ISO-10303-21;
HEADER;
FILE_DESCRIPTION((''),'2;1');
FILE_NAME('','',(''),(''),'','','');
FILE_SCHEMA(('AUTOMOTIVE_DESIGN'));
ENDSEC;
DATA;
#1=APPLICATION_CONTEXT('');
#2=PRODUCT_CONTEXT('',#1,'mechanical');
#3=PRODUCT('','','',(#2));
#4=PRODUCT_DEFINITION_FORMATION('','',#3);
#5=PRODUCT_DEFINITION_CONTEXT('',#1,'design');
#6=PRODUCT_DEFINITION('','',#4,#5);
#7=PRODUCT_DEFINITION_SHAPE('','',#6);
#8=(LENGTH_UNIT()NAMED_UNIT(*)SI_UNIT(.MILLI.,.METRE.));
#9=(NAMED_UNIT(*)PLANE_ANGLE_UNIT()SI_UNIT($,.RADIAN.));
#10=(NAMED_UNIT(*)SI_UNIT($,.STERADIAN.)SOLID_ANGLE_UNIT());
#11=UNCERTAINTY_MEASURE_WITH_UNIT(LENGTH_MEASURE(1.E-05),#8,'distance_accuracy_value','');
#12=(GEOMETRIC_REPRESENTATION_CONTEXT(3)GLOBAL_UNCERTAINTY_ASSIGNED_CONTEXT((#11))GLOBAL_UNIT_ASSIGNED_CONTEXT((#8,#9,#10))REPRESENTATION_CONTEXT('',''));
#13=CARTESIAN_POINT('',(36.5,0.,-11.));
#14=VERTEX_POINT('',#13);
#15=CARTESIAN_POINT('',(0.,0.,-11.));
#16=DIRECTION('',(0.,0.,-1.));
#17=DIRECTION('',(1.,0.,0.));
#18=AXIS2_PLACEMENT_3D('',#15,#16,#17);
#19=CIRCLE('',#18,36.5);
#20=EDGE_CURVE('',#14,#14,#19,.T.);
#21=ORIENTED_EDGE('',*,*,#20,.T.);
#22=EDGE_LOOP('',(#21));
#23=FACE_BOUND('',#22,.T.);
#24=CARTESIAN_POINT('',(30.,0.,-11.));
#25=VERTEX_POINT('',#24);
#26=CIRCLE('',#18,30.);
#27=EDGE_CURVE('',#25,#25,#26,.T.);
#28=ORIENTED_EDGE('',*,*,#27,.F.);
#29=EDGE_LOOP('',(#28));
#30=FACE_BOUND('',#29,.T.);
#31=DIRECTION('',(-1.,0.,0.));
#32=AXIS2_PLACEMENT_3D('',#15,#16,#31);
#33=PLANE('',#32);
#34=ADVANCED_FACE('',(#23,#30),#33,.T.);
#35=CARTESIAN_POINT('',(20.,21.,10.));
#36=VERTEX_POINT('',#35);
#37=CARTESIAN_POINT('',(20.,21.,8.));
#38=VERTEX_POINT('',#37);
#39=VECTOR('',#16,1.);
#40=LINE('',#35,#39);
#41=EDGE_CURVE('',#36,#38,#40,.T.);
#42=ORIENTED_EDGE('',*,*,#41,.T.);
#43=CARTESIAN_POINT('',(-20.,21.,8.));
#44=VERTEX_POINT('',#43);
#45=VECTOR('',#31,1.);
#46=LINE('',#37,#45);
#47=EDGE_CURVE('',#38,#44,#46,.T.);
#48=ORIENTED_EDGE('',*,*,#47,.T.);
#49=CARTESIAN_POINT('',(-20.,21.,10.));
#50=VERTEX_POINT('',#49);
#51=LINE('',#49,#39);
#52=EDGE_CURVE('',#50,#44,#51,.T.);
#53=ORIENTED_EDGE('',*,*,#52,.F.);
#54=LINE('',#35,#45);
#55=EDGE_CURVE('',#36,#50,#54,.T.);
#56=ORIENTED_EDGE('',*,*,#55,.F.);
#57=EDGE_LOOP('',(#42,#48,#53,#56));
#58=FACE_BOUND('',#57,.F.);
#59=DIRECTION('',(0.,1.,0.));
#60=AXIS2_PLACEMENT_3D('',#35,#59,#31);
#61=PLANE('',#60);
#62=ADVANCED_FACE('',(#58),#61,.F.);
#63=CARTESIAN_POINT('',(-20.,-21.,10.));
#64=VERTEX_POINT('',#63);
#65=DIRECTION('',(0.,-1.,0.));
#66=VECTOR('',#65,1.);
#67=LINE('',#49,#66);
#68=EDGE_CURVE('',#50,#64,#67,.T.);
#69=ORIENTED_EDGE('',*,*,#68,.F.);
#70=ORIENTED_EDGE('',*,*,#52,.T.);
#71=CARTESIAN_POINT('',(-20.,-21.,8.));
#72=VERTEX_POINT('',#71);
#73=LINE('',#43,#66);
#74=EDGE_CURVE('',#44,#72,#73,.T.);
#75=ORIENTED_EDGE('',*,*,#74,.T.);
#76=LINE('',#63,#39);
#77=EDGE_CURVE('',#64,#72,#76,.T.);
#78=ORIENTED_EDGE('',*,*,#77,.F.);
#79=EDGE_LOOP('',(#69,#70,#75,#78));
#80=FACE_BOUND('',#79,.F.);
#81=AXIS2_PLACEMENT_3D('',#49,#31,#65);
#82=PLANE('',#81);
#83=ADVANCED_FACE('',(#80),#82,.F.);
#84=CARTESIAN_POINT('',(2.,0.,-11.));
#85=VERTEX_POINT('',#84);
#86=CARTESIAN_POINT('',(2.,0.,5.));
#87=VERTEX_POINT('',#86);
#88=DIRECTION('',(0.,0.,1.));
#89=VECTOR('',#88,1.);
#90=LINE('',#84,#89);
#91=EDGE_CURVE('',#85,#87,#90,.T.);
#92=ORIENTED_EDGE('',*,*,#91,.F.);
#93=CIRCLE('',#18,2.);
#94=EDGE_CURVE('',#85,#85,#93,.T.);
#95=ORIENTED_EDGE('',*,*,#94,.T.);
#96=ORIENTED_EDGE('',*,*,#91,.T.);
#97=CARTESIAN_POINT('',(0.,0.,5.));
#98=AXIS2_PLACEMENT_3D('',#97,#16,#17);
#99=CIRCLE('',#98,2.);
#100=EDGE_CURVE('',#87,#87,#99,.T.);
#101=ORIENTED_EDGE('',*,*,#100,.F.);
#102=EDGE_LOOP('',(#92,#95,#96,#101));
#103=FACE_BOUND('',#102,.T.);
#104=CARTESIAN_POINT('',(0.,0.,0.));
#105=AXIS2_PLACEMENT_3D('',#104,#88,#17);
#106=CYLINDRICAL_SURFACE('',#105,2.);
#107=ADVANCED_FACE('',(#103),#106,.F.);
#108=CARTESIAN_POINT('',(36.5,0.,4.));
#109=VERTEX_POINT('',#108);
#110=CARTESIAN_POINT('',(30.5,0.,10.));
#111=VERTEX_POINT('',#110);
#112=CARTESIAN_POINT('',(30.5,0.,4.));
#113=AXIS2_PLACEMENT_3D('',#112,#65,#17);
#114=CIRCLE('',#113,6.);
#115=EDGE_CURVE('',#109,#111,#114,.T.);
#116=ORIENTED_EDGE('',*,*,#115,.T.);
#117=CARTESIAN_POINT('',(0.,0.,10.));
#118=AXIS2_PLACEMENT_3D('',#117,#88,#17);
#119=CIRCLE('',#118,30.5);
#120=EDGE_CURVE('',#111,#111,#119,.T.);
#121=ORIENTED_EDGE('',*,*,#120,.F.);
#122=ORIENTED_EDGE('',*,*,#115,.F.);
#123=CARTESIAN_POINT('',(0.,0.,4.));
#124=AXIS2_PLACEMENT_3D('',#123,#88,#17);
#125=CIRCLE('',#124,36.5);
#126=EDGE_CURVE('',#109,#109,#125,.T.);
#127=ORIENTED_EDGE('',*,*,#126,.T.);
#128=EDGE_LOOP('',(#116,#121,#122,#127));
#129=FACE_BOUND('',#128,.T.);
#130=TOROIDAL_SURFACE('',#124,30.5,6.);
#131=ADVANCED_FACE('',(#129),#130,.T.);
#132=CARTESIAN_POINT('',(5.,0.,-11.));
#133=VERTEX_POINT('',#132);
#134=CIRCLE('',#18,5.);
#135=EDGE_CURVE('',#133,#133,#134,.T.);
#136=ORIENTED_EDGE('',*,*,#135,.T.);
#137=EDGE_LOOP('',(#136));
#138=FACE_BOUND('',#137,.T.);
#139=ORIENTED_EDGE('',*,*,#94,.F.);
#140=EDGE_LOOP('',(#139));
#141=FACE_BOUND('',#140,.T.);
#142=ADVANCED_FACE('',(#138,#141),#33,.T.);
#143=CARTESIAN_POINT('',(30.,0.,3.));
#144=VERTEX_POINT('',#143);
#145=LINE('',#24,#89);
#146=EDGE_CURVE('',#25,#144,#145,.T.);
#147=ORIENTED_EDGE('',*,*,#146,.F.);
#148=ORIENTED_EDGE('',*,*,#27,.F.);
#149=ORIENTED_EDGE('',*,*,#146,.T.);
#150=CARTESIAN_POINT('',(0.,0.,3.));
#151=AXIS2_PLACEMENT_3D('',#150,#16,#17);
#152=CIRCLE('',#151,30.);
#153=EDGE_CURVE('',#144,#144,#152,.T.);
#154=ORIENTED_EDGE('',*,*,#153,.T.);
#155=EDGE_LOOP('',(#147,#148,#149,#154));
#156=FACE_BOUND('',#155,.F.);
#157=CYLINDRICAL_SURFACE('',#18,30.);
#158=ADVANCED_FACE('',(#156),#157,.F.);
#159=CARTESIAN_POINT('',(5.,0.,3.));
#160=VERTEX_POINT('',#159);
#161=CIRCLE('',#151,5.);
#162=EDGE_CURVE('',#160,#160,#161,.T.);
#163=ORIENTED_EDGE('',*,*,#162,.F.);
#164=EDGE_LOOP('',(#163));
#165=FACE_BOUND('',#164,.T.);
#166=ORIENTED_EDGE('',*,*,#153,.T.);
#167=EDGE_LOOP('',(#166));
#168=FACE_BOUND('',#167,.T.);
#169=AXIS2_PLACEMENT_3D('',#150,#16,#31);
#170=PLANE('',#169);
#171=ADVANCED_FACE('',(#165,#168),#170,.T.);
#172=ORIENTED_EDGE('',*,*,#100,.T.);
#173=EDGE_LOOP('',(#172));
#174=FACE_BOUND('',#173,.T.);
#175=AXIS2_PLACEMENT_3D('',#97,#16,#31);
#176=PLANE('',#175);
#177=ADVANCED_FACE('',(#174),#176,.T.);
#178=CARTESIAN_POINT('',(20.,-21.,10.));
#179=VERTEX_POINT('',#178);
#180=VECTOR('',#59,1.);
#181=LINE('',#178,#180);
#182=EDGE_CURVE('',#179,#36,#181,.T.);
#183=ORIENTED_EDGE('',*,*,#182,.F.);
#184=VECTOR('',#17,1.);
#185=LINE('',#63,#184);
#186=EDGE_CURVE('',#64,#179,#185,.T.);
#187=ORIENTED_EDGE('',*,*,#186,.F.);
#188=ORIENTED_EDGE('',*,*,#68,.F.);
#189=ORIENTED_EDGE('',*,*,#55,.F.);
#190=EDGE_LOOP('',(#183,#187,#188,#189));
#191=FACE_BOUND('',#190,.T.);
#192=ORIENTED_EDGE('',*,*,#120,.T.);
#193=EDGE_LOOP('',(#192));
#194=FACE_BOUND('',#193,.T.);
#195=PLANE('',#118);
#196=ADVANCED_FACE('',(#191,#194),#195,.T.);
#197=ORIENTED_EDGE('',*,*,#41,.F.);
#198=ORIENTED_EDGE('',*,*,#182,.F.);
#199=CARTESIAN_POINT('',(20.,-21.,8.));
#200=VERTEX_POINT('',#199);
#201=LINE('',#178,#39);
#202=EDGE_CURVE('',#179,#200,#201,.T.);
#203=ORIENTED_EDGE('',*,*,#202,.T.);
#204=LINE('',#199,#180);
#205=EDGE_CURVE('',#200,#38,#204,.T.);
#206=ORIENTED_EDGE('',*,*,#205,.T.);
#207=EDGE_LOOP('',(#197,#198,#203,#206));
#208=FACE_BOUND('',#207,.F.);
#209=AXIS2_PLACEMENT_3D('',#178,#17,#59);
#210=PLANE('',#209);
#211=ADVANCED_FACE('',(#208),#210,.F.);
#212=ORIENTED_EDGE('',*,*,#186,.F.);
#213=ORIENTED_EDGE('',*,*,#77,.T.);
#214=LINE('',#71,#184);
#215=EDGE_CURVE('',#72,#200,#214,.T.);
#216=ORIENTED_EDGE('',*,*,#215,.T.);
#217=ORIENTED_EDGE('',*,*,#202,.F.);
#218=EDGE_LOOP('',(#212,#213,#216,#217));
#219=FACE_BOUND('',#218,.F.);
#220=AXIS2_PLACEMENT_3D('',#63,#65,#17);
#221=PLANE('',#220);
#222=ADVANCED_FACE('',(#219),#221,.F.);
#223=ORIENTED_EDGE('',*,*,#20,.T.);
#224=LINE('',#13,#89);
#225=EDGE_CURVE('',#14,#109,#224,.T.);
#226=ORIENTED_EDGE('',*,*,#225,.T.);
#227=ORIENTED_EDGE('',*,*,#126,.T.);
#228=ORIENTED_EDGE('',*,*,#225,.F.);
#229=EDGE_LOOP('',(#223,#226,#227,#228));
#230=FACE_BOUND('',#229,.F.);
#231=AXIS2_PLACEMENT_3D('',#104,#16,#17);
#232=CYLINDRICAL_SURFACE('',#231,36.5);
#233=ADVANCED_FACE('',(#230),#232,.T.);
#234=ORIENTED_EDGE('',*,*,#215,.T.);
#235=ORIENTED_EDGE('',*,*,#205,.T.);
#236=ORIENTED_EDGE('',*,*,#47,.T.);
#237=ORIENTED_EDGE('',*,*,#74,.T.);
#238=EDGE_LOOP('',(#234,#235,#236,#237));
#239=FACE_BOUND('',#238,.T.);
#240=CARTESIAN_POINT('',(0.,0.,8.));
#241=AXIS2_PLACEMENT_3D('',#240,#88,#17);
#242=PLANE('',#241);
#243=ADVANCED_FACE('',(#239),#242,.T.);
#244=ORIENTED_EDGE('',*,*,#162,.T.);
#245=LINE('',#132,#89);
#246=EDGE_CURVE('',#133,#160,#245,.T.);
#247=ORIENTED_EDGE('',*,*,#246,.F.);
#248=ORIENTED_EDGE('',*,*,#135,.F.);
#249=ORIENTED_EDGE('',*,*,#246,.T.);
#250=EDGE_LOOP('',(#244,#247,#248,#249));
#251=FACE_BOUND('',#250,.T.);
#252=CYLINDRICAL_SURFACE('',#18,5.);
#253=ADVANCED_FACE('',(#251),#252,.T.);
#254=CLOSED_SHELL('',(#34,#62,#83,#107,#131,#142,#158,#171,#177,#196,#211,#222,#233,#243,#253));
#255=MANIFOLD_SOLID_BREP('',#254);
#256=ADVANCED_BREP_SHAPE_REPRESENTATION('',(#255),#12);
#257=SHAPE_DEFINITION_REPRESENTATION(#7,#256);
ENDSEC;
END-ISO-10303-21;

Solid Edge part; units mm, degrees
sketch "Sketch1" plane through (0, 0, 0) normal (0, 0, 1) x (1, 0, 0)
  circle A0 centre (0, 0) radius 36.5
extrude "Protrusion1" add sketch "Sketch1" along normal blind 10
sketch "Sketch2" plane through (0, 0, 0) normal (0, 0, -1) x (1, 0, 0)
  circle A0 centre (0, 0) radius 2
extrude "Extrusionsausschnitt_1" cut sketch "Sketch2" against normal blind 5
sketch "Sketch3" plane through (0, 0, 10) normal (0, 0, 1) x (0, 1, 0)
  line L0 (-21, -20) -> (21, -20)
  line L1 (21, -20) -> (21, 20)
  line L2 (21, 20) -> (-21, 20)
  line L3 (-21, 20) -> (-21, -20)
  dimension "D1" = 42
  dimension "D2" = 40
extrude "Extrusionsausschnitt_2" cut sketch "Sketch3" against normal blind 2
sketch "Sketch4" plane through (0, 0, 0) normal (0, 0, -1) x (1, 0, 0)
  circle A0 centre (0, 0) radius 2
  circle A1 centre (0, 0) radius 36.5
extrude "Extrusionsausprägung_2" add sketch "Sketch4" along normal blind 11
sketch "Sketch5" plane through (0, 0, -11) normal (0, 0, -1) x (1, 0, 0)
  circle A0 centre (0, 0) radius 30
  circle A1 centre (0, 0) radius 5
  dimension "D1" = 10
  dimension "D2" = 60
extrude "Extrusionsausschnitt_3" cut sketch "Sketch5" against normal blind 14
fillet "Verrundung_1" radius 6 1 edges at (-36.5, 0, 10)
properties material "Nylon, allgemein"
